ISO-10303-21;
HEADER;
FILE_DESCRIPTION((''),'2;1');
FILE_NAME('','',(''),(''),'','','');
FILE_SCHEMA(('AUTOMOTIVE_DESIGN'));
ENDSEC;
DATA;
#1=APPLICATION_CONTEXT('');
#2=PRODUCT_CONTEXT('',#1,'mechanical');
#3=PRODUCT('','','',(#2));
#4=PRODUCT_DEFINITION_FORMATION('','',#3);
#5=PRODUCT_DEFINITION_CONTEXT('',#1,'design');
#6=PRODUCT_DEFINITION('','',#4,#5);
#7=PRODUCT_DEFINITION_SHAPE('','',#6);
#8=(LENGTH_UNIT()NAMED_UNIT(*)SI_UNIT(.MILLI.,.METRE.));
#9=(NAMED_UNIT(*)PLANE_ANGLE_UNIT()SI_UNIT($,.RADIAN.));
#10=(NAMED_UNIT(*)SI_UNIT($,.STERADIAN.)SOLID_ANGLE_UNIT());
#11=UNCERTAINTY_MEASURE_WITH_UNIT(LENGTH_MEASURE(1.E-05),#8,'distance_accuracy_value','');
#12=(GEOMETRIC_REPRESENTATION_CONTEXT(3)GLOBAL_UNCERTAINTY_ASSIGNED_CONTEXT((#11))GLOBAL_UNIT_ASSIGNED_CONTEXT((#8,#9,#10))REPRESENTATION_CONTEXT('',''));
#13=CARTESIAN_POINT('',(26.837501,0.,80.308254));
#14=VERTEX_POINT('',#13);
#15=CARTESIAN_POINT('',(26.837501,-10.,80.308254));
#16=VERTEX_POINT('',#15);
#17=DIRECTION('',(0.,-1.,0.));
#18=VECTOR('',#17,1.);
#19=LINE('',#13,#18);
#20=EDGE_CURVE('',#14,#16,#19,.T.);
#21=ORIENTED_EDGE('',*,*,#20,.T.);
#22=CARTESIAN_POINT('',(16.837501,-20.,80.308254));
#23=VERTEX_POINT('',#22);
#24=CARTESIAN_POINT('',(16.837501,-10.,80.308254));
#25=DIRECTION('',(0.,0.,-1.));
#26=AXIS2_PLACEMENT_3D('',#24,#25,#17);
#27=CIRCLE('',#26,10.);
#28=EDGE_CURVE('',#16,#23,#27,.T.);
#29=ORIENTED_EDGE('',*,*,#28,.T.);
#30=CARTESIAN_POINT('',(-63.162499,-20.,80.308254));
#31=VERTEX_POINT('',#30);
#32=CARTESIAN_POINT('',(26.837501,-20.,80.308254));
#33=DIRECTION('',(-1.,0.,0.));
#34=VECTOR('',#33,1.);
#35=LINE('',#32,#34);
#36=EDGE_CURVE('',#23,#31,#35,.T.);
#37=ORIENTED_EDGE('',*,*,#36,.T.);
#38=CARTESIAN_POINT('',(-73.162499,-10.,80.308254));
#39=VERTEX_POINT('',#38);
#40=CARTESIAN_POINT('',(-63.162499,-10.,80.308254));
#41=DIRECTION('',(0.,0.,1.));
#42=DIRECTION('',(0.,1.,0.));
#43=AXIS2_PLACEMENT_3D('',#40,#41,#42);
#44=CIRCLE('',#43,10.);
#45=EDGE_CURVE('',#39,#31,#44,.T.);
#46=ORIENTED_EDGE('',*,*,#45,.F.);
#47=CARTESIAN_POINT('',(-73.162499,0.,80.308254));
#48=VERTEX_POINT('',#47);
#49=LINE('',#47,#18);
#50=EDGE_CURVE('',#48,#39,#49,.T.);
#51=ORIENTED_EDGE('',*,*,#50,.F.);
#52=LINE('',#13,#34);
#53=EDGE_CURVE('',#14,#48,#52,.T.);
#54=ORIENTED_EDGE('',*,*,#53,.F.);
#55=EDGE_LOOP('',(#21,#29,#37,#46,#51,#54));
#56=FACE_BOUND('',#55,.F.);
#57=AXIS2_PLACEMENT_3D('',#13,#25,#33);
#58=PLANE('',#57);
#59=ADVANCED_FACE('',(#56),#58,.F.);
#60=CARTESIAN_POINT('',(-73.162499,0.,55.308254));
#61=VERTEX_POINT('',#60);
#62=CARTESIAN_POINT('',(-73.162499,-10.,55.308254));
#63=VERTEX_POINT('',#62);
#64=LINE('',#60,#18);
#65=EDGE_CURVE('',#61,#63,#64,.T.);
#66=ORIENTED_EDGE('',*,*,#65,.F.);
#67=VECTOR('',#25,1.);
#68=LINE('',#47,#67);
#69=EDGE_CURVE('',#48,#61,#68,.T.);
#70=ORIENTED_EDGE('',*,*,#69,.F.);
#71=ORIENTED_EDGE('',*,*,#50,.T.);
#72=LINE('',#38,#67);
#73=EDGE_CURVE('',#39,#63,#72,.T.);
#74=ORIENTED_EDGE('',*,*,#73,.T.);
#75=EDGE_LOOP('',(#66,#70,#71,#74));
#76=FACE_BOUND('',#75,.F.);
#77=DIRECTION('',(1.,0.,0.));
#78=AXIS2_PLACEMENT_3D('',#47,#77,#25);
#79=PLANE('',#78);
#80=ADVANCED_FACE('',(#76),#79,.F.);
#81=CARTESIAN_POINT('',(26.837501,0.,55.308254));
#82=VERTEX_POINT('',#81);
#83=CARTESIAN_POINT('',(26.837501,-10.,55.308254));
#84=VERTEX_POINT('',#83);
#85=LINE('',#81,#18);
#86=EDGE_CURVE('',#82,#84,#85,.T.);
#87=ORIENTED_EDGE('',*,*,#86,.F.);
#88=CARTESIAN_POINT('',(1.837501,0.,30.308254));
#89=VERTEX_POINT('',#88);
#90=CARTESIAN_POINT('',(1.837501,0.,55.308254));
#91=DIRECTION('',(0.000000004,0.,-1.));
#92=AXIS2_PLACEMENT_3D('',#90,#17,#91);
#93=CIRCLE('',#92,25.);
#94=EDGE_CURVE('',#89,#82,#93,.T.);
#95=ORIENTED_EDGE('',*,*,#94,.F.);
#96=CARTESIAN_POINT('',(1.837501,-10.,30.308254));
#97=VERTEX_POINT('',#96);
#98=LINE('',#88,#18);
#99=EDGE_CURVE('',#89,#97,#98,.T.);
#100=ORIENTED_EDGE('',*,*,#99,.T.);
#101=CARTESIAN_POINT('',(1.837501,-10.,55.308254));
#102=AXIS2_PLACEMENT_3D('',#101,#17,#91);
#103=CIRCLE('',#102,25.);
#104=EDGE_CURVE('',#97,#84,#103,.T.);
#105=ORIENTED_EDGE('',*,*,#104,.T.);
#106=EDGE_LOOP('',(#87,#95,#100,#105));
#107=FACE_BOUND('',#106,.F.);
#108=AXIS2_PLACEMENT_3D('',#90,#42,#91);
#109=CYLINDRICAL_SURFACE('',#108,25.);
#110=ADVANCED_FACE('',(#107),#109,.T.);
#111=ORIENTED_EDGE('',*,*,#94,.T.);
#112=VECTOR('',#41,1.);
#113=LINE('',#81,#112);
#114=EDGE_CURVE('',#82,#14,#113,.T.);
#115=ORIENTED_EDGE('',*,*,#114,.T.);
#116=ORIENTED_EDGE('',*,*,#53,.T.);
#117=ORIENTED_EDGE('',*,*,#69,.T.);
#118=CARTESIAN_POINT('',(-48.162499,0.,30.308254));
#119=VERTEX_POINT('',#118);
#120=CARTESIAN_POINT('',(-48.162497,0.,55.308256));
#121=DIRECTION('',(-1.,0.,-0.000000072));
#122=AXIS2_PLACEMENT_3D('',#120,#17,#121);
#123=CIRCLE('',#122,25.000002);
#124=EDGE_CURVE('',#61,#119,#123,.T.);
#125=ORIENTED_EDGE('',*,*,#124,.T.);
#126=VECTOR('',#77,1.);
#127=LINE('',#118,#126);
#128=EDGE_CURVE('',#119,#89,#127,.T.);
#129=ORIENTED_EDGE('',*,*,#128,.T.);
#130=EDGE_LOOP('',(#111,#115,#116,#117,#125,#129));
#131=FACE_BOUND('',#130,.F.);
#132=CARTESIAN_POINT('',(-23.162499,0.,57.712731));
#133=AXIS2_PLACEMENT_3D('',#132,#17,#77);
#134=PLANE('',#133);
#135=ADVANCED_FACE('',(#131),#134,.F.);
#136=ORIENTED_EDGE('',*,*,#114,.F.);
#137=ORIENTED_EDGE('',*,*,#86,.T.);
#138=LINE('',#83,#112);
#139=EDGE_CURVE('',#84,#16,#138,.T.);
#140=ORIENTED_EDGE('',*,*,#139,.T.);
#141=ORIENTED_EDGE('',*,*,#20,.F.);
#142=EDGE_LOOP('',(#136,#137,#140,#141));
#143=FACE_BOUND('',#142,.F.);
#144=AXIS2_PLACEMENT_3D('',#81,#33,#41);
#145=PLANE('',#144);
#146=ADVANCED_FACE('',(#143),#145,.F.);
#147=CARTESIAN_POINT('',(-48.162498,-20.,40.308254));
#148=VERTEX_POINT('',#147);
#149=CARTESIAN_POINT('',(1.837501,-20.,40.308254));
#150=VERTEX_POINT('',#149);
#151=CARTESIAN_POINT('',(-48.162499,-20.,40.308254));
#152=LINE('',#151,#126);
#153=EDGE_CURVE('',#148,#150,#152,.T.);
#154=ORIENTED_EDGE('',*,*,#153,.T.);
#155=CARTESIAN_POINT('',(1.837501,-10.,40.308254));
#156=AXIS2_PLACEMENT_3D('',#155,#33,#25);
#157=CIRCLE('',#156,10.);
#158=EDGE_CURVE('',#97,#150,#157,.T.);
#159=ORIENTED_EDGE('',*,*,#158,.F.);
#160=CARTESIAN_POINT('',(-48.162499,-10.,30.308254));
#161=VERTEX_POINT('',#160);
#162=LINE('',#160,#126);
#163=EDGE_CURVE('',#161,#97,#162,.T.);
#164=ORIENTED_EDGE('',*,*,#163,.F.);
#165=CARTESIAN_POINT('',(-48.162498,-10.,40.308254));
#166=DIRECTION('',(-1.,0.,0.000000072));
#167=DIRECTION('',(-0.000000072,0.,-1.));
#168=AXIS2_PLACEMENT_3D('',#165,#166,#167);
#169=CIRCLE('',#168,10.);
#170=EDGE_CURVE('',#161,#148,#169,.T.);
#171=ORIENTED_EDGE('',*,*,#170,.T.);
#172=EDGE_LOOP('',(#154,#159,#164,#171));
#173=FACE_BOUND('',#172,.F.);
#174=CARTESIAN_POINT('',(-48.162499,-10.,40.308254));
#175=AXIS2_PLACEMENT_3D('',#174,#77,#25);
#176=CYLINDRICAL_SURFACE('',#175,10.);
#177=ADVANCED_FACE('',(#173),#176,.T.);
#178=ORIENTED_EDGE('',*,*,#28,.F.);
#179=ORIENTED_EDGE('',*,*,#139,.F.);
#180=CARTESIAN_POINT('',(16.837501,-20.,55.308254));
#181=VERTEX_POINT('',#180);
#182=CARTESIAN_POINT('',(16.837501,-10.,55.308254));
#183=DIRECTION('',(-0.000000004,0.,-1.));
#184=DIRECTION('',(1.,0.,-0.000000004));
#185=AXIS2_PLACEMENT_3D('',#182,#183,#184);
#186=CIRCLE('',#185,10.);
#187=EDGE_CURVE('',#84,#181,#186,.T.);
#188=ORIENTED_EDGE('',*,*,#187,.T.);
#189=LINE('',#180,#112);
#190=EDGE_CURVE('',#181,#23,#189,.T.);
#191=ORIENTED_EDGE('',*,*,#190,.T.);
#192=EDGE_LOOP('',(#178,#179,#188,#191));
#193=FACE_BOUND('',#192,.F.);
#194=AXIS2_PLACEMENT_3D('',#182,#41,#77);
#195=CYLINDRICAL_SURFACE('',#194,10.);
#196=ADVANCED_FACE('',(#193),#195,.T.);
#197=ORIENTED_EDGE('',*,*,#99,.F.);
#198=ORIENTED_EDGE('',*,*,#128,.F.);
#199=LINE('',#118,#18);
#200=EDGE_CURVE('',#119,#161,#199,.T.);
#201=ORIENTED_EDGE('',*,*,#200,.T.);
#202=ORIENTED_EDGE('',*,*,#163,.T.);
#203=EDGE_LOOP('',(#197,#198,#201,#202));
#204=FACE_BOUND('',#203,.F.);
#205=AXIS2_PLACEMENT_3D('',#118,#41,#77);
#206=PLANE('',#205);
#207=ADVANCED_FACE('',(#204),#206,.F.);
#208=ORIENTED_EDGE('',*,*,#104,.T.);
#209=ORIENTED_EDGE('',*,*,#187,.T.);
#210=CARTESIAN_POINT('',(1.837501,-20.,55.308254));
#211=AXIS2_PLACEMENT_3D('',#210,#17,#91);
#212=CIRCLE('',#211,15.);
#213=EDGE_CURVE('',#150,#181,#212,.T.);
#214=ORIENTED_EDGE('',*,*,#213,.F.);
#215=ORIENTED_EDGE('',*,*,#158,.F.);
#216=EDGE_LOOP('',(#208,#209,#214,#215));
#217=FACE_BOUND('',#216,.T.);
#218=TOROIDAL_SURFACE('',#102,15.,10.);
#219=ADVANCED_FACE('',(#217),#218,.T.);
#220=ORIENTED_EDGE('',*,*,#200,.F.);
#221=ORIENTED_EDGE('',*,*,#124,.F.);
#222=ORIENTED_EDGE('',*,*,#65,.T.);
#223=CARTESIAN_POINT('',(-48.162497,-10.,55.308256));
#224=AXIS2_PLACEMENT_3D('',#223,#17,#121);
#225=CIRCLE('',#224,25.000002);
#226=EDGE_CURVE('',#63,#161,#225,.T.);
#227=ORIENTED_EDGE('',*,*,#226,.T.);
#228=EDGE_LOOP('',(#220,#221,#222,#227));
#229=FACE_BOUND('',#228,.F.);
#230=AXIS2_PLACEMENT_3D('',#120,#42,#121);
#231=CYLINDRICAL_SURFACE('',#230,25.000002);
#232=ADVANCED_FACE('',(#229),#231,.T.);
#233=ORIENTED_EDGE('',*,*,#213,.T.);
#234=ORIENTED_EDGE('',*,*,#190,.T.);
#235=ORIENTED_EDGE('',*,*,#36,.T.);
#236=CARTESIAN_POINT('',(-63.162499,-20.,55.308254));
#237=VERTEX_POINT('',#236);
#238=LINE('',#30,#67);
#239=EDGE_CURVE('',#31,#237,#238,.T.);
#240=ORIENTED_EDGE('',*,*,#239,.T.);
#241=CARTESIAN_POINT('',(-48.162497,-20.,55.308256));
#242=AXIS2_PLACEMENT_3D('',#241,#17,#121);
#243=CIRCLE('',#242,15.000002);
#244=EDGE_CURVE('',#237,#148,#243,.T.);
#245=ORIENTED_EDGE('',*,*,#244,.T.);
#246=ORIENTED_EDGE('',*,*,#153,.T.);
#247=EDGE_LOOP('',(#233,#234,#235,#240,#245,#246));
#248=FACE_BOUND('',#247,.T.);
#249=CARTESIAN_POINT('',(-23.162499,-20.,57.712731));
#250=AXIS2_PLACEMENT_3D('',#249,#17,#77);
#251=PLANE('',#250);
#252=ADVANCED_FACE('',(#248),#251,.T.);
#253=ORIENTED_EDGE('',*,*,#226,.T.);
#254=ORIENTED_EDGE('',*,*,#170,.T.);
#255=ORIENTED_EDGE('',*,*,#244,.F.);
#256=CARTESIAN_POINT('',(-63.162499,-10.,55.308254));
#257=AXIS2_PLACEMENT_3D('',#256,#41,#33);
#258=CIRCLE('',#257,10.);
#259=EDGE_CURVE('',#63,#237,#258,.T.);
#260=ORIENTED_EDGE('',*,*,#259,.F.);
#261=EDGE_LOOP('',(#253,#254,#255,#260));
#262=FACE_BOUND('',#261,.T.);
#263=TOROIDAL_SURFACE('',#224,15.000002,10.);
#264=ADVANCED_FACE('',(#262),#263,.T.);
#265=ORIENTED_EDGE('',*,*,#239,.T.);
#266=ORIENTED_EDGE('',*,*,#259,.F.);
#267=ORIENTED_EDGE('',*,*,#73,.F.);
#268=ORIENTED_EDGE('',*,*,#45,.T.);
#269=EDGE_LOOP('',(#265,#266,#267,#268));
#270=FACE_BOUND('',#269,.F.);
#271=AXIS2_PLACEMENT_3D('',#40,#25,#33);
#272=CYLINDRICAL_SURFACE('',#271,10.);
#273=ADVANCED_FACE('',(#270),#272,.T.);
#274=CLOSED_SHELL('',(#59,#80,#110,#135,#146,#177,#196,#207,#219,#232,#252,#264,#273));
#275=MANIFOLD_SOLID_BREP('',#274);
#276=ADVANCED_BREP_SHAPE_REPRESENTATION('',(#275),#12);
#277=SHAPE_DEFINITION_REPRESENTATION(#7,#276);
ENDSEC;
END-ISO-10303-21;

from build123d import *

# Parameters (mm, degrees)
F1_DEPTH = 20
F2_R     = 10


with BuildPart() as f1:
    # F0 (on Front) → F1 (new body)
    with BuildSketch(Plane.XZ):
        with BuildLine():
            Line((26.837501, 80.308254), (-73.162499, 80.308254))
            Line((-73.162499, 80.308254), (-73.162499, 55.308254))
            ThreePointArc((-73.162499, 55.308254), (-65.840168, 37.630585), (-48.162499, 30.308254))
            Line((-48.162499, 30.308254), (1.837501, 30.308254))
            ThreePointArc((1.837501, 30.308254), (19.515171, 37.630585), (26.837501, 55.308254))
            Line((26.837501, 55.308254), (26.837501, 80.308254))
        make_face()
    extrude(amount=F1_DEPTH)

    # F2
    f2_edges = [f1.edges().sort_by_distance(p)[0] for p in [
        (-73.162499, -20, 67.808254),
    ]]
    fillet(f2_edges, radius=F2_R)


solid = f1.part
